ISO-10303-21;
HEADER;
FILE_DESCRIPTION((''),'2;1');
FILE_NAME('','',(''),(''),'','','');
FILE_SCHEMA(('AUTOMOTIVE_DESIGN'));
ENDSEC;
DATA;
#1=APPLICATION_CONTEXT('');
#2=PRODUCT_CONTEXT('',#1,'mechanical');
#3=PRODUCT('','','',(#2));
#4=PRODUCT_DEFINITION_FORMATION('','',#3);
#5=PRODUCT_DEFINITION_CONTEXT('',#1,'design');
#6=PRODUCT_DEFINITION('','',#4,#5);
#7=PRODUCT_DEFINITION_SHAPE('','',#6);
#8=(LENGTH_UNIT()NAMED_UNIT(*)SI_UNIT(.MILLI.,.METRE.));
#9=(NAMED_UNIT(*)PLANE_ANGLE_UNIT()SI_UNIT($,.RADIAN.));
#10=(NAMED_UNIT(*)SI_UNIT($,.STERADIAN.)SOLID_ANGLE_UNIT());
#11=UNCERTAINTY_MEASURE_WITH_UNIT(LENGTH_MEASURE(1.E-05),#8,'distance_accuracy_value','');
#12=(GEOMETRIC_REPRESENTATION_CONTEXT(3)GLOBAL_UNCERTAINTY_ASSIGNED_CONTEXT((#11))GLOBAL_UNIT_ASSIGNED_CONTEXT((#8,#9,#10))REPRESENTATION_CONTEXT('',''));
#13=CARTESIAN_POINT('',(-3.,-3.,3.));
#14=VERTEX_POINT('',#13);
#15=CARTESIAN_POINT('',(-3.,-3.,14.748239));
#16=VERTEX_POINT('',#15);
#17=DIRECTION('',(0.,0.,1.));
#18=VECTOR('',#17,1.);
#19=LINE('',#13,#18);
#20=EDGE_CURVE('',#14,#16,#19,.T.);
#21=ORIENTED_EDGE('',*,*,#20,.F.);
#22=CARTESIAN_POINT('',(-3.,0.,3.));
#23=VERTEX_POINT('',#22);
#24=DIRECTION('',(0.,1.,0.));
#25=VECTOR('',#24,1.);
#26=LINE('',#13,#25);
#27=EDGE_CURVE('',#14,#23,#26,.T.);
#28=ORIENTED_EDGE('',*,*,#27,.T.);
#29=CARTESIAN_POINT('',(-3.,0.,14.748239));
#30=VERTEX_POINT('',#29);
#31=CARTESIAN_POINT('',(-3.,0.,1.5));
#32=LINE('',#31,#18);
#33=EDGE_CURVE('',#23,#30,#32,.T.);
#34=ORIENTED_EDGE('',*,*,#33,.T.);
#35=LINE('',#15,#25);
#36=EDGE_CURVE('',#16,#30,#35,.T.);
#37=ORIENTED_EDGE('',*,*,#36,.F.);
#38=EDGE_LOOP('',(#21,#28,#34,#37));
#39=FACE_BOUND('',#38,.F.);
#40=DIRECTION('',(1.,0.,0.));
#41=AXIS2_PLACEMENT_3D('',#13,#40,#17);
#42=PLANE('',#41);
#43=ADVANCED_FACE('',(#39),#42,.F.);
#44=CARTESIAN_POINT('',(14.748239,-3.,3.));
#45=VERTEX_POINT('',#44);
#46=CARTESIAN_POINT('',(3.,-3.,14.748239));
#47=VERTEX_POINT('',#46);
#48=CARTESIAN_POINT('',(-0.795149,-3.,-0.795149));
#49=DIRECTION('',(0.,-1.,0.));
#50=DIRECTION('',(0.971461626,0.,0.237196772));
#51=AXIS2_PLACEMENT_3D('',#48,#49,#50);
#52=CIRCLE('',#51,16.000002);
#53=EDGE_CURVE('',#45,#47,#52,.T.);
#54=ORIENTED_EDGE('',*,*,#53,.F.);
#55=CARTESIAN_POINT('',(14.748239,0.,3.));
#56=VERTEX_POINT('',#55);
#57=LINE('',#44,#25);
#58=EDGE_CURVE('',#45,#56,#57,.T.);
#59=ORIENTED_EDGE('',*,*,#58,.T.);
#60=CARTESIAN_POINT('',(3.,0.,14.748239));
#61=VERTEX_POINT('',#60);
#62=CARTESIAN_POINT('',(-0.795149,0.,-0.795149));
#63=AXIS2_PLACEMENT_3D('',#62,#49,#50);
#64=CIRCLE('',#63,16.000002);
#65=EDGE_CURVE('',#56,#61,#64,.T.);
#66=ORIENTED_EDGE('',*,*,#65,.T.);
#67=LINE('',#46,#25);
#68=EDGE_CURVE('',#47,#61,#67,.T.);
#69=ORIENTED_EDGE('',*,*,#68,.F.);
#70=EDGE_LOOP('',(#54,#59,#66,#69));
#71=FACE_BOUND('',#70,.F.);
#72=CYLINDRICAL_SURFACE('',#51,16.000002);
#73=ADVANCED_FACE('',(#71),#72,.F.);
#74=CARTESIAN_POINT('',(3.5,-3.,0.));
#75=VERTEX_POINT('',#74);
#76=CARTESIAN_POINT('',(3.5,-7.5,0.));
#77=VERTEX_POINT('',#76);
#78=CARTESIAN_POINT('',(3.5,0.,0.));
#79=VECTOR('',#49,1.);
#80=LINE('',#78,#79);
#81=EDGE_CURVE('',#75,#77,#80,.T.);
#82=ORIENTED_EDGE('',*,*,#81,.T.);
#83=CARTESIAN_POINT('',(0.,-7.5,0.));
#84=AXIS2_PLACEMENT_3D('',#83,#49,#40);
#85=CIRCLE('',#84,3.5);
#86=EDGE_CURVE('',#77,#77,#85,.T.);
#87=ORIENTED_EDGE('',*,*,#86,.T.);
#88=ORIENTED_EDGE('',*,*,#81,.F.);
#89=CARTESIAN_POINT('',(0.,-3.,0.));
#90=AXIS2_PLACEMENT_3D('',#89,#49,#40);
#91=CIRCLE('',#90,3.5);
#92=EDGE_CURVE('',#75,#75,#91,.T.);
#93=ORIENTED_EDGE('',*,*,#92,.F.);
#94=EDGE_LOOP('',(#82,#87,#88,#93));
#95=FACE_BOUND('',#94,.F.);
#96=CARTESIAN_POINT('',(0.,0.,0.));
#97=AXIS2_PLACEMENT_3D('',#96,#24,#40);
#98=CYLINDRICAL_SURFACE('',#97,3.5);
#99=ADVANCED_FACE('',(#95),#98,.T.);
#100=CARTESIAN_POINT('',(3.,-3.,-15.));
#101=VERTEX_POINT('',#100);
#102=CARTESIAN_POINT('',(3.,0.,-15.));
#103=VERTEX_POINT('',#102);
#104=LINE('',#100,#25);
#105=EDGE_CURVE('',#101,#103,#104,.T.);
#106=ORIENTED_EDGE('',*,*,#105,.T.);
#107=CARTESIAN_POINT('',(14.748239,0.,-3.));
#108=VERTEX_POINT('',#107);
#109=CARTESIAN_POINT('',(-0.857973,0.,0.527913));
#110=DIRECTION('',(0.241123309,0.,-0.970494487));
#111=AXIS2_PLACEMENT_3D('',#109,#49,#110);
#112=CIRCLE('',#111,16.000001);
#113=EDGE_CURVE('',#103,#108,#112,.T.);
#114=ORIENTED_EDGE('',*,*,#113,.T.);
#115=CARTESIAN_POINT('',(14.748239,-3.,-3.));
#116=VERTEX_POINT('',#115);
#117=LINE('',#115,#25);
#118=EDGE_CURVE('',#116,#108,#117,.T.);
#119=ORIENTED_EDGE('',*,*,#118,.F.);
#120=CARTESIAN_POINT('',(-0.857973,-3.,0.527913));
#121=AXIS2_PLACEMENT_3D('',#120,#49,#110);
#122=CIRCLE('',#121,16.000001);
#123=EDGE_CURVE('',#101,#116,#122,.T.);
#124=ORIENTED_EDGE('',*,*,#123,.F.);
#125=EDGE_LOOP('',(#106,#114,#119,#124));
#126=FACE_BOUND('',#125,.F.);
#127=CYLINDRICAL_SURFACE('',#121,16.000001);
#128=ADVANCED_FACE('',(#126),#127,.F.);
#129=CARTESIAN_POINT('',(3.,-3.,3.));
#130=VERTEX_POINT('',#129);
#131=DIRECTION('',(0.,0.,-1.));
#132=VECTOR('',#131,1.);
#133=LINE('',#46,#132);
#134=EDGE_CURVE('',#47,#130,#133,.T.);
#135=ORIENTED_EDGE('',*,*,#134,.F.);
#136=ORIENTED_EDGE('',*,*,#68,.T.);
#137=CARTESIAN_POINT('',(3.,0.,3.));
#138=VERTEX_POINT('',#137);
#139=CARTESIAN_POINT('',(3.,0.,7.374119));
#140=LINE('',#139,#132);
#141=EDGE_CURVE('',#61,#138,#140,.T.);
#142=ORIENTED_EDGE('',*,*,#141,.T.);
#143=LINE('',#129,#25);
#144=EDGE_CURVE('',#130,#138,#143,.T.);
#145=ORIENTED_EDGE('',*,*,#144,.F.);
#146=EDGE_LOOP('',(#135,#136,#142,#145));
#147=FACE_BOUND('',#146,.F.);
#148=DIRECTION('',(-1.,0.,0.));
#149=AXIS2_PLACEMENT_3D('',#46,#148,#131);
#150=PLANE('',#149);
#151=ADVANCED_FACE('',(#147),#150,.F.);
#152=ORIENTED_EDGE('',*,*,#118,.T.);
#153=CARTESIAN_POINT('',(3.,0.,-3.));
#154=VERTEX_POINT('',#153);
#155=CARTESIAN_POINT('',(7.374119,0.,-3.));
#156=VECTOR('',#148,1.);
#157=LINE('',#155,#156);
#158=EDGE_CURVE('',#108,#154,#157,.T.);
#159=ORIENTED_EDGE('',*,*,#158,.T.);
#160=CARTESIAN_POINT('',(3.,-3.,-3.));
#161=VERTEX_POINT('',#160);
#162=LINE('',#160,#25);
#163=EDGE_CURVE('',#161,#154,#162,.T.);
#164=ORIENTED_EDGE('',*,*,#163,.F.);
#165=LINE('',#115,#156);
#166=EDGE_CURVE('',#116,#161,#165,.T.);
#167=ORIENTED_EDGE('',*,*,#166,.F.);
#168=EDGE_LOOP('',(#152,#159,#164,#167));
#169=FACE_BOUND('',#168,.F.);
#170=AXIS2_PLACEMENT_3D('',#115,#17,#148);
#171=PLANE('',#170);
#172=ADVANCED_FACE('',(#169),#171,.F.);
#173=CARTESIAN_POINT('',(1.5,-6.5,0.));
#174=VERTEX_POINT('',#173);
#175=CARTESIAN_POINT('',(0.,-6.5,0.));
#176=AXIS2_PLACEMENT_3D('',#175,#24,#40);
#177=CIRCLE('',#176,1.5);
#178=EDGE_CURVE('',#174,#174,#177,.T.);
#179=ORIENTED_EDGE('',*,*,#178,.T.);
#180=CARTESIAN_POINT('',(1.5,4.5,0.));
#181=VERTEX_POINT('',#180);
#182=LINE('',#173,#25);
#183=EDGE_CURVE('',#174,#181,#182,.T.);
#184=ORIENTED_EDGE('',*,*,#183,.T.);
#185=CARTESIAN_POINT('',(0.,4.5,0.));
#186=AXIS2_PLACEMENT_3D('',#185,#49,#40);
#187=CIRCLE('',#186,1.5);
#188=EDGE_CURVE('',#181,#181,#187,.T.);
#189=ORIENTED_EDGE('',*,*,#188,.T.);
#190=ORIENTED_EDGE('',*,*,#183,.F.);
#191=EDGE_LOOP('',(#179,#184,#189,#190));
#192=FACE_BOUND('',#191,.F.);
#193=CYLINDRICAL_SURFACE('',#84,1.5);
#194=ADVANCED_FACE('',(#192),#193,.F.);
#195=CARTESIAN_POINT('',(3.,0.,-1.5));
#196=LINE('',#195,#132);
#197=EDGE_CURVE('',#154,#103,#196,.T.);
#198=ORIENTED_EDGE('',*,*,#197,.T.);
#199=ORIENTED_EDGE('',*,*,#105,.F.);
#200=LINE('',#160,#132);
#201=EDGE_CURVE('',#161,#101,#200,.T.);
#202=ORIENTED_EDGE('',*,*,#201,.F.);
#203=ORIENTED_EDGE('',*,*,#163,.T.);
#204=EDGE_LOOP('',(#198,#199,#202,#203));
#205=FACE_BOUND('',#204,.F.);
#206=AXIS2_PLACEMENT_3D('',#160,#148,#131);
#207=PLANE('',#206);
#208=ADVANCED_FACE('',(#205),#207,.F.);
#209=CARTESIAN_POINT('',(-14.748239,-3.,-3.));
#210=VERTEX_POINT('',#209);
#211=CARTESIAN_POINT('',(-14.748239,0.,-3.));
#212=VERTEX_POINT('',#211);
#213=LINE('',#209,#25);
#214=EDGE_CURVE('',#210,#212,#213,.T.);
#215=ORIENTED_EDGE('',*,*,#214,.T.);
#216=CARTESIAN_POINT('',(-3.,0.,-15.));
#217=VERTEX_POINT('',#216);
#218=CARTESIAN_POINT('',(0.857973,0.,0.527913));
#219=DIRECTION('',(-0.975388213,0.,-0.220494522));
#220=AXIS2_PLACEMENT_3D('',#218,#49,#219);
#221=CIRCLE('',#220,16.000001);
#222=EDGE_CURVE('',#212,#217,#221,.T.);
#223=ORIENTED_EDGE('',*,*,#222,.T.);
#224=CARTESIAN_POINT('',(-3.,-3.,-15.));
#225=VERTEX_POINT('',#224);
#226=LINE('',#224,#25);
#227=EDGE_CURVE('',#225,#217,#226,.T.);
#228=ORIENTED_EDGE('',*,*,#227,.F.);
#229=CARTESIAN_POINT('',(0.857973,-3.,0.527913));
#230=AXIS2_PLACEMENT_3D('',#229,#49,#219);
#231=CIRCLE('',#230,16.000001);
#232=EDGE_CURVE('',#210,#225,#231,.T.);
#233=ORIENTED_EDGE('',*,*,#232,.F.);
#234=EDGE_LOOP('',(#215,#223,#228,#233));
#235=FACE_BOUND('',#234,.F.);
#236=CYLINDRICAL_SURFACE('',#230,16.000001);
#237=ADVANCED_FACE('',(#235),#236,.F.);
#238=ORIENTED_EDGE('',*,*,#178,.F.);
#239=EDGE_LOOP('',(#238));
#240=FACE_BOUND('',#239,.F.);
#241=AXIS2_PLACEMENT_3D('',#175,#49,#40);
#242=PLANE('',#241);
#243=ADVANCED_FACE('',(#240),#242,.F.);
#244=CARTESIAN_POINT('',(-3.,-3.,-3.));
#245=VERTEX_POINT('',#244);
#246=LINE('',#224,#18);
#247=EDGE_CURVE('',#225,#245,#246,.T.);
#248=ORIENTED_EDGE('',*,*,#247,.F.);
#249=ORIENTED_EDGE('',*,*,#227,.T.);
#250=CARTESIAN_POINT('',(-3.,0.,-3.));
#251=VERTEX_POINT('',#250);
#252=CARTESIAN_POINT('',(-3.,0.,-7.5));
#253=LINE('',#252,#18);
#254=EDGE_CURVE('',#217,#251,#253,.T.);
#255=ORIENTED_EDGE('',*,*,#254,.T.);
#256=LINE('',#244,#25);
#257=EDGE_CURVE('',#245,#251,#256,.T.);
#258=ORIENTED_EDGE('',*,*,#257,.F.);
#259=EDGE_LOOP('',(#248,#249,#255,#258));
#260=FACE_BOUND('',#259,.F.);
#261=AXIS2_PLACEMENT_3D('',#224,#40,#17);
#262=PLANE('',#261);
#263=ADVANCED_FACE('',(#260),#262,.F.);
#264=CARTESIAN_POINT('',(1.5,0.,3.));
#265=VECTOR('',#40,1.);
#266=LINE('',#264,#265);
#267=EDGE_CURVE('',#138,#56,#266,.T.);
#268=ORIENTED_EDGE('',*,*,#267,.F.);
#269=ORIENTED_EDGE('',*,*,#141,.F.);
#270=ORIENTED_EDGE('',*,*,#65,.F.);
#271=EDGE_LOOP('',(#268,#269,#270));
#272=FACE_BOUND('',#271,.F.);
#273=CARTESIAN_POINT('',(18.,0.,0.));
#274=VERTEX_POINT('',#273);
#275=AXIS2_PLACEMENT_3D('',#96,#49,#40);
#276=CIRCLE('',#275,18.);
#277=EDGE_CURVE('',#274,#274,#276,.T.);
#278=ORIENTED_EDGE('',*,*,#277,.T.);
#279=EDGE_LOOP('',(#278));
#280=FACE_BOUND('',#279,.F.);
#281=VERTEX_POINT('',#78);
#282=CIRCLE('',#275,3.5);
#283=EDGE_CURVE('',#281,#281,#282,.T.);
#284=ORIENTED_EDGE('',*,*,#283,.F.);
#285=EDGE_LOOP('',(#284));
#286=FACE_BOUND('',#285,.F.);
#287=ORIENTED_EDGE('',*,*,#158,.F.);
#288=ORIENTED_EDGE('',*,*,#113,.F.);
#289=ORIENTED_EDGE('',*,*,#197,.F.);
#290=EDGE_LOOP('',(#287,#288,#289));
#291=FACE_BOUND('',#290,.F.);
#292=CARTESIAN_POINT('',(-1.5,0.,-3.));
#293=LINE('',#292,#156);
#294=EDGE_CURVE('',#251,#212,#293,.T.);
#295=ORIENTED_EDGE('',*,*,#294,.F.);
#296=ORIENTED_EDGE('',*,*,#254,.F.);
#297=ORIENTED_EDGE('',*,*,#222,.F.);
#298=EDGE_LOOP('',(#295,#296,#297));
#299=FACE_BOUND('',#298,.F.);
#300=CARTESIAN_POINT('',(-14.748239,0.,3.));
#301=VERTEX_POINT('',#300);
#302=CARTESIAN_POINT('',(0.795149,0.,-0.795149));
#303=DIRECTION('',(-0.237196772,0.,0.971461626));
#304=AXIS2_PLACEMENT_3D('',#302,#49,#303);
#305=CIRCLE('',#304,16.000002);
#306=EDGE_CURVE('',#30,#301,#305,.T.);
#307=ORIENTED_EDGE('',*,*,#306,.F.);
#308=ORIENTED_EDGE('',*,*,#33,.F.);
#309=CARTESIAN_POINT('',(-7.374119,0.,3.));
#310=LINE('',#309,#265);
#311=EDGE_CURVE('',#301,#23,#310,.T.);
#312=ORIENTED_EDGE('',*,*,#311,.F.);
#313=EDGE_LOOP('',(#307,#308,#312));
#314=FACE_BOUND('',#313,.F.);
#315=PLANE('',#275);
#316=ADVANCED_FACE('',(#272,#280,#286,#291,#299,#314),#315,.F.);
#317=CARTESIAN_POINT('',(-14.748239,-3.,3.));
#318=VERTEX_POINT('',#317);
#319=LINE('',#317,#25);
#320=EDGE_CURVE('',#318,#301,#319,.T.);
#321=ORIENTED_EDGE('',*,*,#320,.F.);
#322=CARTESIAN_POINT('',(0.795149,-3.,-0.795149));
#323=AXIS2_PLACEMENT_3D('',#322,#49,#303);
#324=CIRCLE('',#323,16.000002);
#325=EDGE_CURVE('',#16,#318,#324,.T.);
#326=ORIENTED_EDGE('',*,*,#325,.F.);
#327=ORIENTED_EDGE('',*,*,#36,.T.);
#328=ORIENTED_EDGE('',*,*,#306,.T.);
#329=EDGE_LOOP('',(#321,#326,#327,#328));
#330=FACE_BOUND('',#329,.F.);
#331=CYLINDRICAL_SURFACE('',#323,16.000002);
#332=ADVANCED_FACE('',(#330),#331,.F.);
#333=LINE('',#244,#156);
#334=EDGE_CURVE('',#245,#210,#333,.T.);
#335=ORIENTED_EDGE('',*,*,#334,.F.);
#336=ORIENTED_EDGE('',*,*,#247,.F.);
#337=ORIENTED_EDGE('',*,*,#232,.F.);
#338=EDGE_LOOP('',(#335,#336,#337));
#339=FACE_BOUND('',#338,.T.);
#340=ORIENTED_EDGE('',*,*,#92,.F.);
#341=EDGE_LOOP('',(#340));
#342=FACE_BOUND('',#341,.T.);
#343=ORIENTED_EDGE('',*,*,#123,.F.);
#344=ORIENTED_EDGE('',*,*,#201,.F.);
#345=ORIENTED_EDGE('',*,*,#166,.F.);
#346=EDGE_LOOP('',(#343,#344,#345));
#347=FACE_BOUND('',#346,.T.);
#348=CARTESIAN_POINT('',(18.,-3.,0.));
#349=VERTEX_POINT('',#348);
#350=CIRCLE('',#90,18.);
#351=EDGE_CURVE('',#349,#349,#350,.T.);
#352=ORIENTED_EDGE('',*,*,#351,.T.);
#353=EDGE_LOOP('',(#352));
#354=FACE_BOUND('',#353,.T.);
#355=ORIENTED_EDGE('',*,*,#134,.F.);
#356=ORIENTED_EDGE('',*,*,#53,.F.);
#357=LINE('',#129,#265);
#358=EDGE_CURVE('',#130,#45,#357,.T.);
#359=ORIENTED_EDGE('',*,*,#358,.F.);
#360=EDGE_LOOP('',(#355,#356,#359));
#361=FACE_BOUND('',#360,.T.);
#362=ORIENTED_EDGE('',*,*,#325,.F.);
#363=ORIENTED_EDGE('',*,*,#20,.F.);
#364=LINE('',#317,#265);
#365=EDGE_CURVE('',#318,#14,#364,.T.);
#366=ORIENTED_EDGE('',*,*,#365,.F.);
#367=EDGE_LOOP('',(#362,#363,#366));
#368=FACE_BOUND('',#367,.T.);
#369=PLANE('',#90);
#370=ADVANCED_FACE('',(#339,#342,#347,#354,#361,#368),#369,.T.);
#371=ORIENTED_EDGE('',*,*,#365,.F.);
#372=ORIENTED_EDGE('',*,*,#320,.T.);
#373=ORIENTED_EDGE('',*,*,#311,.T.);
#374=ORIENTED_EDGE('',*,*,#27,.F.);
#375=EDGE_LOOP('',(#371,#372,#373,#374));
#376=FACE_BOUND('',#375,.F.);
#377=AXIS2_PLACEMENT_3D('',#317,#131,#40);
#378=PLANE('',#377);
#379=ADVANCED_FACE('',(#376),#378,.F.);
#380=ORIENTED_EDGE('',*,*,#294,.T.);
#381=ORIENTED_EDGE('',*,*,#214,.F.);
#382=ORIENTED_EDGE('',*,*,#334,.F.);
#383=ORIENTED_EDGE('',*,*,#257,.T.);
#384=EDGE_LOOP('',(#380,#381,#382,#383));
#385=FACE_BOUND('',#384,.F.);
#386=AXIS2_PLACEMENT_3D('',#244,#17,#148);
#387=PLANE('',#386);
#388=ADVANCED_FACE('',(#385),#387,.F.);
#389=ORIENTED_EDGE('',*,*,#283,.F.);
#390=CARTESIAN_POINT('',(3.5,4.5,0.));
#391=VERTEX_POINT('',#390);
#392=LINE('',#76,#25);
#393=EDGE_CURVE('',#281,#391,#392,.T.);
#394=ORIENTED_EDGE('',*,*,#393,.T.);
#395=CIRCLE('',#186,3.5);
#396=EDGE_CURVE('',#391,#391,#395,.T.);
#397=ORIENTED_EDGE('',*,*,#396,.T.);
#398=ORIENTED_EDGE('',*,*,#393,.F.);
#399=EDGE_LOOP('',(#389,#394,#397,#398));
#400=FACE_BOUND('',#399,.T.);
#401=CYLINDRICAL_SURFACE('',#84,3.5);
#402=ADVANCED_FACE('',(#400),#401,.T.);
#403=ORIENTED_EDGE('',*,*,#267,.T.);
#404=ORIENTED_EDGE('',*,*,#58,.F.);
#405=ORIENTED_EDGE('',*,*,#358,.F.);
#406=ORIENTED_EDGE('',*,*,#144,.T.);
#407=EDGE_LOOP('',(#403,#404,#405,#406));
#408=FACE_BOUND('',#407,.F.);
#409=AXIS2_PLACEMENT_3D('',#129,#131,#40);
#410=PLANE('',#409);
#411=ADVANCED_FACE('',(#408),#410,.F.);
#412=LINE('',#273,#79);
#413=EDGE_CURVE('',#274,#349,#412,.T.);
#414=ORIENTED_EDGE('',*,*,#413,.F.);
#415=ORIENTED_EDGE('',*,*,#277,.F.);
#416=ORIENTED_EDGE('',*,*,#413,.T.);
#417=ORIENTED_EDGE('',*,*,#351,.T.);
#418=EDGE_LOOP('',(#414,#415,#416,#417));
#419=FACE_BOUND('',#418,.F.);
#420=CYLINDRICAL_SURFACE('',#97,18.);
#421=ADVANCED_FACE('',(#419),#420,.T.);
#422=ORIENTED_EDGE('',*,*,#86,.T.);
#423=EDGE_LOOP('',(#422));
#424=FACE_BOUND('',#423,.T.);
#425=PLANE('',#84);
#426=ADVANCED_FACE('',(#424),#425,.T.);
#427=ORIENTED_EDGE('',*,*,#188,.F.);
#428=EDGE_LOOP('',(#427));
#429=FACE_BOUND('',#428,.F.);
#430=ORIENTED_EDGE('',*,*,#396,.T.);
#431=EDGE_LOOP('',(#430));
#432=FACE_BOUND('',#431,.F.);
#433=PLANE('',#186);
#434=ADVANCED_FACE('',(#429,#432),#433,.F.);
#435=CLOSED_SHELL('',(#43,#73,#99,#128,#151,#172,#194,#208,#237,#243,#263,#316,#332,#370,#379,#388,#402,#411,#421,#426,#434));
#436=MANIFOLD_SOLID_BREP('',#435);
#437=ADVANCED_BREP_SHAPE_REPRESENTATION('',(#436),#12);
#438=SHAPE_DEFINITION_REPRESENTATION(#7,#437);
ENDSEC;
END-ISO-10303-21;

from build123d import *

# Parameters (mm, degrees)
F0_R        = 18
F0_R_2      = 3.5
F1_DEPTH    = 3
F0_R_3      = 1.5
F2_DEPTH    = 7.5
F2_FACE_R   = 3.5
F2_FACE_R_2 = 1.5
F3_DEPTH    = 12
F5_DEPTH    = 250
F6_R        = 2.51997
F7_DEPTH    = 1


with BuildPart() as f1:
    # F0 (on Front) → F1 (new body)
    with BuildSketch(Plane.XZ):
        Circle(F0_R)
        Circle(F0_R_2, mode=Mode.SUBTRACT)
    extrude(amount=F1_DEPTH)

    # F0 (on Front) → F2 (join)
    with BuildSketch(Plane.XZ):
        Circle(F0_R_2)
        Circle(F0_R_3, mode=Mode.SUBTRACT)
    extrude(amount=F2_DEPTH)

    # F2_face (on face) → F3 (join)
    with BuildSketch(Plane.XZ.offset(7.5)):
        Circle(F2_FACE_R)
        Circle(F2_FACE_R_2, mode=Mode.SUBTRACT)
    extrude(amount=-F3_DEPTH)

    # F4 (on face) → F5 (cut)
    with BuildSketch(Plane.XZ.offset(3)):
        with BuildLine():
            Line((-14.748239, 3), (-3, 3))
            Line((-3, 3), (-3, 14.748239))
            ThreePointArc((-3, 14.748239), (-10.518561, 10.518561), (-14.748239, 3))
        make_face()
        with BuildLine():
            Line((3, 14.748239), (3, 3))
            Line((3, 3), (14.748239, 3))
            ThreePointArc((14.748239, 3), (10.518561, 10.518561), (3, 14.748239))
        make_face()
        with BuildLine():
            Line((-3, -15), (-3, -3))
            Line((-3, -3), (-14.748239, -3))
            ThreePointArc((-14.748239, -3), (-10.575033, -10.665228), (-3, -15))
        make_face()
        with BuildLine():
            Line((14.748239, -3), (3, -3))
            Line((3, -3), (3, -15))
            ThreePointArc((3, -15), (10.575033, -10.665228), (14.748239, -3))
        make_face()
    extrude(amount=-F5_DEPTH, mode=Mode.SUBTRACT)

    # F6 (on face) → F7 (join)
    with BuildSketch(Plane.XZ.offset(7.5)):
        Circle(F6_R)
    extrude(amount=-F7_DEPTH)


solid = f1.part
